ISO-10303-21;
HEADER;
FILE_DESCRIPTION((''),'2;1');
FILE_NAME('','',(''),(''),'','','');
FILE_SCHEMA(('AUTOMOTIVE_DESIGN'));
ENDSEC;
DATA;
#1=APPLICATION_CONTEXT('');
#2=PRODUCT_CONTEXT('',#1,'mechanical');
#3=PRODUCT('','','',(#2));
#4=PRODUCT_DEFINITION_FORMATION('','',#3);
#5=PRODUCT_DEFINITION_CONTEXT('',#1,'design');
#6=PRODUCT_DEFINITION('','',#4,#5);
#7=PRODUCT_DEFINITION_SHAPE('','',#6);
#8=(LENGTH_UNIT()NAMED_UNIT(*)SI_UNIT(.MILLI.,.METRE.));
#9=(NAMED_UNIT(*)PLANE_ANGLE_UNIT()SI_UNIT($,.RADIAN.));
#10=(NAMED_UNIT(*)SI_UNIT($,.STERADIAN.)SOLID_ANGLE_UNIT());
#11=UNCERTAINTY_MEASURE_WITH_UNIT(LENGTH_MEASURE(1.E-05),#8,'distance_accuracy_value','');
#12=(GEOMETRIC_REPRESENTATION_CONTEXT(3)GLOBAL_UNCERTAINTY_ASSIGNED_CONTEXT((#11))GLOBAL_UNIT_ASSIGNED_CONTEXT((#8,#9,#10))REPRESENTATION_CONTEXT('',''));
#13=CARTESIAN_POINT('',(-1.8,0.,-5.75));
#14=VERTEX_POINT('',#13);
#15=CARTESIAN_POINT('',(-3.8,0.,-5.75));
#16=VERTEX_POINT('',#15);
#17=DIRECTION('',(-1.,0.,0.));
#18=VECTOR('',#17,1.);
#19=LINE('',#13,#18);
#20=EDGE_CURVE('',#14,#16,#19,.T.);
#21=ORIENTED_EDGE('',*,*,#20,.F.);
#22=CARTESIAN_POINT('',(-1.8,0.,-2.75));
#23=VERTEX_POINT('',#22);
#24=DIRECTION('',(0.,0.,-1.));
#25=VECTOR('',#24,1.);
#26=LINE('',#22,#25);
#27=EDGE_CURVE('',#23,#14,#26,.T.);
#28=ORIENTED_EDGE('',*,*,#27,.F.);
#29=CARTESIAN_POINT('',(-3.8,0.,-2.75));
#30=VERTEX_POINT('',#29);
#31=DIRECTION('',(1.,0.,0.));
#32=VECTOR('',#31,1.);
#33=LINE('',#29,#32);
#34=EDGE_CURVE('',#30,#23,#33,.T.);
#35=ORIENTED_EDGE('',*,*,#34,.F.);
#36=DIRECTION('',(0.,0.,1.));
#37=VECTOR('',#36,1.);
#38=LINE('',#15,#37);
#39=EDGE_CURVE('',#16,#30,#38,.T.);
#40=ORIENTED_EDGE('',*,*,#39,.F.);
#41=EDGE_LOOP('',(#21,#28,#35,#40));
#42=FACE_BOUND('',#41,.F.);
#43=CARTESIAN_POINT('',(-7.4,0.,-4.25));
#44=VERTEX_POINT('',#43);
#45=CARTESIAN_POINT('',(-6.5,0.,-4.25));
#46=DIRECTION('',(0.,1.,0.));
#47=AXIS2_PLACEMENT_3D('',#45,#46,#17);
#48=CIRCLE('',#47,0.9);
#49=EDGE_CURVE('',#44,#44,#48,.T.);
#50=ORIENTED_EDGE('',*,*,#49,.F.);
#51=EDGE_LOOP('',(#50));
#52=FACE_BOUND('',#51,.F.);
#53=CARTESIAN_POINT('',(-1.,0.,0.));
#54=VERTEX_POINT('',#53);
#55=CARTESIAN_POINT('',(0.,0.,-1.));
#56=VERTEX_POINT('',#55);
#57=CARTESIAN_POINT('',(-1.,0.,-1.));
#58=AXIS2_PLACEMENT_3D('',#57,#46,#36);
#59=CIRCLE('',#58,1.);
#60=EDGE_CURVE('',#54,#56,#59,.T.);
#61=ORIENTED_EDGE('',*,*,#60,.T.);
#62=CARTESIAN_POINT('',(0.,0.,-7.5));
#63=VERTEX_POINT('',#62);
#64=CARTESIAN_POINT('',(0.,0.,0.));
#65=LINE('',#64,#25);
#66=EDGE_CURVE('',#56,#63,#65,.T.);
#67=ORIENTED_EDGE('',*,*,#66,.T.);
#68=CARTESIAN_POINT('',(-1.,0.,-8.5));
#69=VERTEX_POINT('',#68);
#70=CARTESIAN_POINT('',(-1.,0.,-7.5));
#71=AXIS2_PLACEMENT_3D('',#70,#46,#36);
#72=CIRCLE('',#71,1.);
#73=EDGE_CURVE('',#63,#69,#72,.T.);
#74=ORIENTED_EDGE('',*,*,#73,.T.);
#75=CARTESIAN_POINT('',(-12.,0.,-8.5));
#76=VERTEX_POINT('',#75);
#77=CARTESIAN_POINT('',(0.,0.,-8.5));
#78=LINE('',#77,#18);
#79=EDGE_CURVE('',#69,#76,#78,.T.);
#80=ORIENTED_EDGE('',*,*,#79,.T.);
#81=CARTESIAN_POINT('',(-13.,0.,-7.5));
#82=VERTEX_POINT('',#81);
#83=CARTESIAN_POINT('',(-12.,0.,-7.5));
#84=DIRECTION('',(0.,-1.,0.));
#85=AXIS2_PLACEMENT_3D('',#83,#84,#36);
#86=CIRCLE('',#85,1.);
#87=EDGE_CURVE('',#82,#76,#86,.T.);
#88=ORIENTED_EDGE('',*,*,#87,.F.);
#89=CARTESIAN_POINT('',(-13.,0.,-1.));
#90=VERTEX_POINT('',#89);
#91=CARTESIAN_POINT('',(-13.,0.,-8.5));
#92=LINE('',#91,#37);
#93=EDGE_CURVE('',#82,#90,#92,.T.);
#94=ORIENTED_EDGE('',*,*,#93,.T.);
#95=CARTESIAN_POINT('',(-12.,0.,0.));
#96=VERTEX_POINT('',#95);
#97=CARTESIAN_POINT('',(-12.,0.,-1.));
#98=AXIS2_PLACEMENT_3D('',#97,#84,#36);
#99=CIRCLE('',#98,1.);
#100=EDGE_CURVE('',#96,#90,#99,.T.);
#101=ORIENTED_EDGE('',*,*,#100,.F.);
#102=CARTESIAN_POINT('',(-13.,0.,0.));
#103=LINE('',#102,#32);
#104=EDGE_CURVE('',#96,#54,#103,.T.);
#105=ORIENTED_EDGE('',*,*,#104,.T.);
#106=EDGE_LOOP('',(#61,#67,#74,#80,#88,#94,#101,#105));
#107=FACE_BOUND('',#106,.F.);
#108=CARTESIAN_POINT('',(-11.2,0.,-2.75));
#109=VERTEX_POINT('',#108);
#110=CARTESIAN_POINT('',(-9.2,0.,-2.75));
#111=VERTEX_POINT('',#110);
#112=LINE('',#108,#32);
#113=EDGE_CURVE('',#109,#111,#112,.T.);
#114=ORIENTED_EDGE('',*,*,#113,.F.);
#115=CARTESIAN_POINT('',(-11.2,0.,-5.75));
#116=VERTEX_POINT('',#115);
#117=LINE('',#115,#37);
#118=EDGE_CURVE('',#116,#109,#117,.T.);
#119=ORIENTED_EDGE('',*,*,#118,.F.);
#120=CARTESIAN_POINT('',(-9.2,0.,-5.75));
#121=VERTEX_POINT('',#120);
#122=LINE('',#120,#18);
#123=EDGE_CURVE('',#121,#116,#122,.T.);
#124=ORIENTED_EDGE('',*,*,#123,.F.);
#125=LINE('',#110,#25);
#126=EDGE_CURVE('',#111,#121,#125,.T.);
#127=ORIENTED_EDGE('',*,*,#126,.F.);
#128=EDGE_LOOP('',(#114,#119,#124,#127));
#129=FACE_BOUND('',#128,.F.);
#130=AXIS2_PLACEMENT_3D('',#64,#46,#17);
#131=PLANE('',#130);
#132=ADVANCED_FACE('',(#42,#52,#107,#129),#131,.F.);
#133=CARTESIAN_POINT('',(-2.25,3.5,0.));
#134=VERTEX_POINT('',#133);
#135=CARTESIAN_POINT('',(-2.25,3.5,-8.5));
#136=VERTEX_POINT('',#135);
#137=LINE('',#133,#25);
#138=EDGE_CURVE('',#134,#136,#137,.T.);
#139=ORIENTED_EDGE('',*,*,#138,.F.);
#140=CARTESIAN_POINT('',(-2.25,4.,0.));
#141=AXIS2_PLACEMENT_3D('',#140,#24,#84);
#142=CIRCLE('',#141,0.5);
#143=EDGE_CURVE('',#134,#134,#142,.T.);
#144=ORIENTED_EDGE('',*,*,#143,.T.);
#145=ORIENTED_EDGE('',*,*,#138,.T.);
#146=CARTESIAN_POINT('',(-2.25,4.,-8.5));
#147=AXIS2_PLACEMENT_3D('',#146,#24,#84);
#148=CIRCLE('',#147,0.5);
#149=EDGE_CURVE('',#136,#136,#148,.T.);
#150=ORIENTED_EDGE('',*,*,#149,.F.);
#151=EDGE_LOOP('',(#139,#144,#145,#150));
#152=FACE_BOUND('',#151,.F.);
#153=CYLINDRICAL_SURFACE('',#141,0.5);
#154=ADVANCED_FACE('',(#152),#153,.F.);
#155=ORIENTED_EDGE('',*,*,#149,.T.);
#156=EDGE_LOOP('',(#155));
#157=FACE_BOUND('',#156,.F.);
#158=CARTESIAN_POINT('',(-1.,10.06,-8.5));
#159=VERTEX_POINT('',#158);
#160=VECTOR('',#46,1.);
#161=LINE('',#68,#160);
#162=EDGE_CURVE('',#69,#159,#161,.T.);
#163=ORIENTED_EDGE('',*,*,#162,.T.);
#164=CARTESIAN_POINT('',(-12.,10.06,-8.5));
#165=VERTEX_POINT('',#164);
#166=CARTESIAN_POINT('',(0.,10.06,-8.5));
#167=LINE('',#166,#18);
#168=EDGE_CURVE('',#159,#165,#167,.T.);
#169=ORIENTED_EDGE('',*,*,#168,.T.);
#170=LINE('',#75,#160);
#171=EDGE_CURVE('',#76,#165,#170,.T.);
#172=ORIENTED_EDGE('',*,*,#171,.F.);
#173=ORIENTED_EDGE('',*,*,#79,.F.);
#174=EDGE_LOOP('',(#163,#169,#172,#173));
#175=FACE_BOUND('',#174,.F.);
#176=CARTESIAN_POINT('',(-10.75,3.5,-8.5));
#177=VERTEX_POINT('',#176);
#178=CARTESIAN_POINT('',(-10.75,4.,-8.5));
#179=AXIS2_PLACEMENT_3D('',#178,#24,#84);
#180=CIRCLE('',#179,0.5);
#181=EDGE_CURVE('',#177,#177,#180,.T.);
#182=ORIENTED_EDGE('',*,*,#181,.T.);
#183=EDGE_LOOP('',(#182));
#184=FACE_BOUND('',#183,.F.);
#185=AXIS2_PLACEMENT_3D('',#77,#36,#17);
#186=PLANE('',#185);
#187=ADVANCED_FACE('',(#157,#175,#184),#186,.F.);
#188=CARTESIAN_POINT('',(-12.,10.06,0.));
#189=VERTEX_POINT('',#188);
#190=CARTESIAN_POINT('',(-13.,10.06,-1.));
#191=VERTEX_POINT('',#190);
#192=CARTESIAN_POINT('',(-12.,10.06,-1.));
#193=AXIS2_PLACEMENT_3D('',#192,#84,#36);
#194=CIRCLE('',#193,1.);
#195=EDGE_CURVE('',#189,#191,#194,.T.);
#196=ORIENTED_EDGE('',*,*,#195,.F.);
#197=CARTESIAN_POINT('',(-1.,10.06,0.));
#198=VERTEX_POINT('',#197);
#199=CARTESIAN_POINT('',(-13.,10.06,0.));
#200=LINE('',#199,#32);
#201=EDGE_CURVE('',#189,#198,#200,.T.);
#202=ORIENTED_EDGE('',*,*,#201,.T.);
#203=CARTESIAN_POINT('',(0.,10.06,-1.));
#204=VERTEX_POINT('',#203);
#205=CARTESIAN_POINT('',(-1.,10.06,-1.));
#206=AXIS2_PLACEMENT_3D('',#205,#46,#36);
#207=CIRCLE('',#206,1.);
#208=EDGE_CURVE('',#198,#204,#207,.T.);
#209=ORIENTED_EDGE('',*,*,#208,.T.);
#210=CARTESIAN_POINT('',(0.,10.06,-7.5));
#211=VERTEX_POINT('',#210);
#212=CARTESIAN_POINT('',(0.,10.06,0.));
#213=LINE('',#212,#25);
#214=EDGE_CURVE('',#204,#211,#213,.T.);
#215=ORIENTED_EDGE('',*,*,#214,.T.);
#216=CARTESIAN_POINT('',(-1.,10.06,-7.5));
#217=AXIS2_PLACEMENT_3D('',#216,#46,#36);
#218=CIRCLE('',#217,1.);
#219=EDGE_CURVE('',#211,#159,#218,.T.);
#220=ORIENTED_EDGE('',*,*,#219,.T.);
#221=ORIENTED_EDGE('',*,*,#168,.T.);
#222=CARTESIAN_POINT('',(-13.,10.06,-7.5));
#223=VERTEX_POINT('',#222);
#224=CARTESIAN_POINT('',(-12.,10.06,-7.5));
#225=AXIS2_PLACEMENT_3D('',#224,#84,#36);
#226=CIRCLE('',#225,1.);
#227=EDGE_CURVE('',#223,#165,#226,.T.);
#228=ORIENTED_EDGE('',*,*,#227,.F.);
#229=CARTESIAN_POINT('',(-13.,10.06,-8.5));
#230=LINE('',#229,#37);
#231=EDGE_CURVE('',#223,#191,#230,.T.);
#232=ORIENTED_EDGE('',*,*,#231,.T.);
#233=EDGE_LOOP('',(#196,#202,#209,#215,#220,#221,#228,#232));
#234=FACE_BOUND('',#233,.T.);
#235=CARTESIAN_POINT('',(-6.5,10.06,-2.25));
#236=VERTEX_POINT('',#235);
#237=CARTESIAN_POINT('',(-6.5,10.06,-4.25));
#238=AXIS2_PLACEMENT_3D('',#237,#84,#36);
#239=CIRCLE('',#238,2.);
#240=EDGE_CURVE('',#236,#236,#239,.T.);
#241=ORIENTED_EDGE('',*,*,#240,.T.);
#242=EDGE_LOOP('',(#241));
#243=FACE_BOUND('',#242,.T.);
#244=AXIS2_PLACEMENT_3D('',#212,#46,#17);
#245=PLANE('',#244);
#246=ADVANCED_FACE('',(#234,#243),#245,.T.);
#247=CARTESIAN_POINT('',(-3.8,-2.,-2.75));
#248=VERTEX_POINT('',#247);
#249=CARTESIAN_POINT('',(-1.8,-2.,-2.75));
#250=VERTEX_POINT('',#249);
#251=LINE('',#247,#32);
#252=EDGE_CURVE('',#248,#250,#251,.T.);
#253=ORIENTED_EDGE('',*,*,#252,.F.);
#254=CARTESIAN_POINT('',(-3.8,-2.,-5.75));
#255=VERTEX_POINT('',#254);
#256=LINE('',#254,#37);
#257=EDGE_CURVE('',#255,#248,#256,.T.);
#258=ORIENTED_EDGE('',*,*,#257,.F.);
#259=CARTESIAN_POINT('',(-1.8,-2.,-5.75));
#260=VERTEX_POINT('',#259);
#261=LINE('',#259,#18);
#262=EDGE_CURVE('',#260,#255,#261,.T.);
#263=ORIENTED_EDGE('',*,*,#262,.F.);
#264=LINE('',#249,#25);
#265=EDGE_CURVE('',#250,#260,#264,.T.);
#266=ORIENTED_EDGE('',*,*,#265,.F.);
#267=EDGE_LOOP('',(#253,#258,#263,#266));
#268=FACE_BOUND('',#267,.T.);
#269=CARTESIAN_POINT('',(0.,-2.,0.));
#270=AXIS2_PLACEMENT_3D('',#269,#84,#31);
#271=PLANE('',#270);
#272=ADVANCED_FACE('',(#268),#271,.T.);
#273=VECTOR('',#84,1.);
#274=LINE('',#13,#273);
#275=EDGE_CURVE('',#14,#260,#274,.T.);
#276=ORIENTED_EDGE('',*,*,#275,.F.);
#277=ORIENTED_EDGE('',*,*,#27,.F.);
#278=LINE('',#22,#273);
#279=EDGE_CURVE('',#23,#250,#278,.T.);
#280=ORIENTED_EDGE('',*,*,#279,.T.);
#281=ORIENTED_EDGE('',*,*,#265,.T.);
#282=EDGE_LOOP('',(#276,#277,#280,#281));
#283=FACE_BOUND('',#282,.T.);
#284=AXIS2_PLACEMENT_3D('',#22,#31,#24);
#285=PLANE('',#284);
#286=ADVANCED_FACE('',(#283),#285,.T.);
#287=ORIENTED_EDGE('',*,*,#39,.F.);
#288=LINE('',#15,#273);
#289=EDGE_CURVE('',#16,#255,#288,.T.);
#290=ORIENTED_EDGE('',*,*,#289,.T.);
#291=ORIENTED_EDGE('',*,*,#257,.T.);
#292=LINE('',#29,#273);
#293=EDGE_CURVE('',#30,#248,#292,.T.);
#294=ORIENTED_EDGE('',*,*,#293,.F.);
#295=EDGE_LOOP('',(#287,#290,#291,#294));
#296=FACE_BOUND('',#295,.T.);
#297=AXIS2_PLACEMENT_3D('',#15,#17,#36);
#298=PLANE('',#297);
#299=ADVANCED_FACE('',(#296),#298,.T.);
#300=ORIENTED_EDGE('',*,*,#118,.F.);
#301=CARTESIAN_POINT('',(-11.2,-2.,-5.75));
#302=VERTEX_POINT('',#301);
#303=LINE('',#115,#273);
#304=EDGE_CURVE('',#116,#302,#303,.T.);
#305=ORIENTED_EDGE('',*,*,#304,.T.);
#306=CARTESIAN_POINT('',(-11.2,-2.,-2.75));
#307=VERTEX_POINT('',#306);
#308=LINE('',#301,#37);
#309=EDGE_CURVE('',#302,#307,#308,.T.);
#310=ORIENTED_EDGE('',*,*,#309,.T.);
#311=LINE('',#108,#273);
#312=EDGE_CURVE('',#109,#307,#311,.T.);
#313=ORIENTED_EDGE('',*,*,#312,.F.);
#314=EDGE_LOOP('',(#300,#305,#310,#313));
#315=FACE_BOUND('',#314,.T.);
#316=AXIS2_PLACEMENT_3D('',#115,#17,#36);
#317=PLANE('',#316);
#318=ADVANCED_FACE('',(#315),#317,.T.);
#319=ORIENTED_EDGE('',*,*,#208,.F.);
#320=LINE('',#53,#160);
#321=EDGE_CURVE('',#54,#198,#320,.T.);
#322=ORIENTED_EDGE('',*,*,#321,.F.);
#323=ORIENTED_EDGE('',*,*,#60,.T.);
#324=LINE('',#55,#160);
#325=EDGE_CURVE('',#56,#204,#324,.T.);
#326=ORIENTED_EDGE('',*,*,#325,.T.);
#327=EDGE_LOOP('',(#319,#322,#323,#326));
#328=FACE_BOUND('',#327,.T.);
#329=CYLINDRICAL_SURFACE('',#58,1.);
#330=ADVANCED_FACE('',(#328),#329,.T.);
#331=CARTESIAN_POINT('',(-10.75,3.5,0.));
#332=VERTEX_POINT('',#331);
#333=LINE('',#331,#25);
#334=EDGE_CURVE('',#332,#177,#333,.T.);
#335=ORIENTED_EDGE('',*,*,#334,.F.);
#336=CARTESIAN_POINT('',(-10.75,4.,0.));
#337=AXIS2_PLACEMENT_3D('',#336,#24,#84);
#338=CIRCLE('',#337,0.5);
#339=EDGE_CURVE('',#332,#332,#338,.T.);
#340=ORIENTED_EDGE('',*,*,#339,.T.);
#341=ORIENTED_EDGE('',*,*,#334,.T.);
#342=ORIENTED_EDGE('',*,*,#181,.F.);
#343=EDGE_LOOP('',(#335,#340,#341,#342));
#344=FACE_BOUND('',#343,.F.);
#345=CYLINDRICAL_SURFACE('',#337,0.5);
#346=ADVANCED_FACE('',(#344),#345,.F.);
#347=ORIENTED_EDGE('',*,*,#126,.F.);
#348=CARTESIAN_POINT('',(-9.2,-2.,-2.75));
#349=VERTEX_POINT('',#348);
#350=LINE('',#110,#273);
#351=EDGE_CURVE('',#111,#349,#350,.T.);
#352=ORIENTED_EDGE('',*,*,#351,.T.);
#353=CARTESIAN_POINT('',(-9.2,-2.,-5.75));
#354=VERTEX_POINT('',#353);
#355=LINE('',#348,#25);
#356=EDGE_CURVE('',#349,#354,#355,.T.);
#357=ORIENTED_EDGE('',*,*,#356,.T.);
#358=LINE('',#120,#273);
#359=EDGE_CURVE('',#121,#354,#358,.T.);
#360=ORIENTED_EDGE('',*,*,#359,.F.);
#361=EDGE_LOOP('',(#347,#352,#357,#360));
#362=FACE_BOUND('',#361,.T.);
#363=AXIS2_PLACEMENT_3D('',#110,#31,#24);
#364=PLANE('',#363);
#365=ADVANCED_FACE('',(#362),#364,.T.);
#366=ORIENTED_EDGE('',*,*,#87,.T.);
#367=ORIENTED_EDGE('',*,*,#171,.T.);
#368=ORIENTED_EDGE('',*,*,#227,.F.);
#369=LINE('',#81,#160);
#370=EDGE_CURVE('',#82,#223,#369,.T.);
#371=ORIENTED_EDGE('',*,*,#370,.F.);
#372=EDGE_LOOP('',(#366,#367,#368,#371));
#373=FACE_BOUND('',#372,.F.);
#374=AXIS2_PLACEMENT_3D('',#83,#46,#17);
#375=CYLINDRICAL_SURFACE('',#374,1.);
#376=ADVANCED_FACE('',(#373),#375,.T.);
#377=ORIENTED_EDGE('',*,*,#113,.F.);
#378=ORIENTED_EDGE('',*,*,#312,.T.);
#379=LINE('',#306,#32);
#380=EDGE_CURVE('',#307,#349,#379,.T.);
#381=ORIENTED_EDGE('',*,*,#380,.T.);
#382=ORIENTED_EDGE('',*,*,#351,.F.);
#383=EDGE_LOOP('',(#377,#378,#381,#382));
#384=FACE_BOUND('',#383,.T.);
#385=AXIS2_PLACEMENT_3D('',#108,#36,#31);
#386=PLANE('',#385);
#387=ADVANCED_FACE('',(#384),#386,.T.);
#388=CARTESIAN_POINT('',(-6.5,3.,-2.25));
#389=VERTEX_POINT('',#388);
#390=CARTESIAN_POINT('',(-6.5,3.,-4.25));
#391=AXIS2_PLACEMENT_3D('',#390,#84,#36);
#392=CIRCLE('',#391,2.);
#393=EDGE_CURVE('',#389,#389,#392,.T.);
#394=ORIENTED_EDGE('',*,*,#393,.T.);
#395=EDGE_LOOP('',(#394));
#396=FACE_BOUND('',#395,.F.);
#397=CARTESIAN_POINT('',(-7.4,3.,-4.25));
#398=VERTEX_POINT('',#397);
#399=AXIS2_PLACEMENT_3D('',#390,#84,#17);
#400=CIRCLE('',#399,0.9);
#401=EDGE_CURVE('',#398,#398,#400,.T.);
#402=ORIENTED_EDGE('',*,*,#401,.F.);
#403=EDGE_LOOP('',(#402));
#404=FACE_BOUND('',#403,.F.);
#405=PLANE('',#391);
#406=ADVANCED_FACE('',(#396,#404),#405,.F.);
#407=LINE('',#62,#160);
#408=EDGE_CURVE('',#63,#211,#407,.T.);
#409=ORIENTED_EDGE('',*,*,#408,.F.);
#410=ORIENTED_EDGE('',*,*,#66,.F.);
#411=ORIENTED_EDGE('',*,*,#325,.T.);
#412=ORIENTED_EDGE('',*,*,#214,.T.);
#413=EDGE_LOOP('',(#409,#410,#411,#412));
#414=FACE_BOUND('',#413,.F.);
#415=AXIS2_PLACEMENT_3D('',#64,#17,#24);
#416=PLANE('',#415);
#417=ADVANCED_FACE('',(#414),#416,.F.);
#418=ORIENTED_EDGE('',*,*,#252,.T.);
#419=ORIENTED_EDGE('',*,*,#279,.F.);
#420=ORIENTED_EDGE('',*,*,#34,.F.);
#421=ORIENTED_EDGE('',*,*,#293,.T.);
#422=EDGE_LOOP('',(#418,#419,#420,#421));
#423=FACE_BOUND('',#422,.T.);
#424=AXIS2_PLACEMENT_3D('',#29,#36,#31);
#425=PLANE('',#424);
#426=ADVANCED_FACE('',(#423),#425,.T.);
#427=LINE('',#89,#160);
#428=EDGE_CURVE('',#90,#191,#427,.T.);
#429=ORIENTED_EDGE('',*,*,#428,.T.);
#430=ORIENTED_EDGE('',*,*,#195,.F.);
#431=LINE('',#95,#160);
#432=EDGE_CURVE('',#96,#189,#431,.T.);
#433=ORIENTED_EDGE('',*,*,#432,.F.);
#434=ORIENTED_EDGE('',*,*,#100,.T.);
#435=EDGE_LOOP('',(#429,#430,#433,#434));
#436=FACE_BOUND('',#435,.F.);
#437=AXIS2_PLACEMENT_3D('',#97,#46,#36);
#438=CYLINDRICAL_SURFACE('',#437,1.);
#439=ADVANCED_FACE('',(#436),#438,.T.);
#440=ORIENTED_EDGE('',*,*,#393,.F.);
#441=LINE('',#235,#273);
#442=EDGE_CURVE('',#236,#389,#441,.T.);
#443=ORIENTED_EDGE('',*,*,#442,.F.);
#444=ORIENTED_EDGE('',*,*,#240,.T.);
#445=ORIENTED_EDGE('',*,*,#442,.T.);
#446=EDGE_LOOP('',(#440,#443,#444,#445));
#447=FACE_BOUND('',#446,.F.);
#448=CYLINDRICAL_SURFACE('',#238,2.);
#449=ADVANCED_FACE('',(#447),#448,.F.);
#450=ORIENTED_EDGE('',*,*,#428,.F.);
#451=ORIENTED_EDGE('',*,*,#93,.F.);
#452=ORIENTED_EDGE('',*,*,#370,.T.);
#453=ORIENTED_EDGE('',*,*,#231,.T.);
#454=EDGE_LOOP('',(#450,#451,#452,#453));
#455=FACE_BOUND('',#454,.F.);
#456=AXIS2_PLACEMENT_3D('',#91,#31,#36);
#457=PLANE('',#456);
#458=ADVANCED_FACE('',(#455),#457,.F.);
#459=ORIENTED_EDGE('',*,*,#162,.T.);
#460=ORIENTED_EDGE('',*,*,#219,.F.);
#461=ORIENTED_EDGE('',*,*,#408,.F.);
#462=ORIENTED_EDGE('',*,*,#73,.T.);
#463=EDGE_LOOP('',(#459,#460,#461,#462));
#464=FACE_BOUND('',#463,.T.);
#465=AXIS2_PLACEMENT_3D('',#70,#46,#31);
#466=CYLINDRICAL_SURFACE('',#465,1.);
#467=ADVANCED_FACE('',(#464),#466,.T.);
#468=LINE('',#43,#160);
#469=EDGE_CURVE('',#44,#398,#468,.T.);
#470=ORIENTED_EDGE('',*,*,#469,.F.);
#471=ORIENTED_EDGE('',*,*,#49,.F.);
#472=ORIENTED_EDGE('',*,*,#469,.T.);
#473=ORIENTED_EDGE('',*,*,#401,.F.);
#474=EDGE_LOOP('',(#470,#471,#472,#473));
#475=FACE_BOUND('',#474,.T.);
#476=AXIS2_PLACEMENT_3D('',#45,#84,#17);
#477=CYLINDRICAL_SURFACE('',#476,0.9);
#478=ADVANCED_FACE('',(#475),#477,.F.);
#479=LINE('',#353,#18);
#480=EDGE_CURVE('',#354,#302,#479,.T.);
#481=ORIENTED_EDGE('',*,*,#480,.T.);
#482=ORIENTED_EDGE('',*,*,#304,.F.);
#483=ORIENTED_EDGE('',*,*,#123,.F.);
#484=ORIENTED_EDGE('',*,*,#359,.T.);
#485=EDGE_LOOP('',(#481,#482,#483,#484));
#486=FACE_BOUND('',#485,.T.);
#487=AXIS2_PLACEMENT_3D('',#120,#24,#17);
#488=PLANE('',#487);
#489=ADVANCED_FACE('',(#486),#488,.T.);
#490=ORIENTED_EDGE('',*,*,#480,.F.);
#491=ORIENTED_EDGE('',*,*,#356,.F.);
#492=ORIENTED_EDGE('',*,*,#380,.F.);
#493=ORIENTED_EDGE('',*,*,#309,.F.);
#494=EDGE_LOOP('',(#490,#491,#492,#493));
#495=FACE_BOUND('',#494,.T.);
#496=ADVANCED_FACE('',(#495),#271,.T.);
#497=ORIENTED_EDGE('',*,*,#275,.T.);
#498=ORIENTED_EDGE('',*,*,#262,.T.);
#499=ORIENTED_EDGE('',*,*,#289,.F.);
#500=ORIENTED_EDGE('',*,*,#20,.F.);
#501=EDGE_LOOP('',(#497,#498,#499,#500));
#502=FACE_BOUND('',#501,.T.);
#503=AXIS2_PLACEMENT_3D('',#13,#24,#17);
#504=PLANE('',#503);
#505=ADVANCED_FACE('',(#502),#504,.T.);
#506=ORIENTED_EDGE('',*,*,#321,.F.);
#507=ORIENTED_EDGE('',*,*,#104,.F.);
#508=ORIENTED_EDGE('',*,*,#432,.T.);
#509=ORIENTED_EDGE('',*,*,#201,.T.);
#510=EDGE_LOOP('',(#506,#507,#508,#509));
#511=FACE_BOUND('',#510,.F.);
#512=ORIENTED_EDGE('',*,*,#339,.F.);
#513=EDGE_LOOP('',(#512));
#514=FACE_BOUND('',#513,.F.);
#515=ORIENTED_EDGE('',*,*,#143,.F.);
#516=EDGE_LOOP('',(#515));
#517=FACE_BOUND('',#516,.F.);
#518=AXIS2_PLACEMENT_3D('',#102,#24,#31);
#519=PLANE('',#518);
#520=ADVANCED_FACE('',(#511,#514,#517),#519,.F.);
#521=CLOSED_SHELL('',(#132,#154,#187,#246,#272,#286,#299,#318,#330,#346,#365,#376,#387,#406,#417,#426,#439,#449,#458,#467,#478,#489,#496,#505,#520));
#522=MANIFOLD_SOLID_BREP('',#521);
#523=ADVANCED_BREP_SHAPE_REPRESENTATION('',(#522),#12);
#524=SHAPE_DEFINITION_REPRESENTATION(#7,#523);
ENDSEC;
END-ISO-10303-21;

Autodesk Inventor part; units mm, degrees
ref_plane "YZ Plane" through (0, 0, 0) normal (1, 0, 0) x (0, 1, 0)
ref_plane "XZ Plane" through (0, 0, 0) normal (0, 1, 0) x (-1, 0, 0)
ref_plane "XY Plane" through (0, 0, 0) normal (0, 0, 1) x (1, 0, 0)
sketch "Boceto1" plane through (0, 0, 0) normal (0, 1, 0) x (-1, 0, 0)
  line L0 (0, 0) -> (0, -8.5)
  line L1 (0, -8.5) -> (13, -8.5)
  line L2 (13, -8.5) -> (13, 0)
  line L3 (13, 0) -> (0, 0)
  circle A0 centre (6.5, -4.25) radius 0.9
  dimension "d0" = 8.5
  dimension "d1" = 13
  dimension "d2" = 1.8
  dimension "d13" = 4.25
extrude "Extrusión1" add sketch "Boceto1" along normal blind 10.06
sketch "Boceto2" plane through (0, 10.06, 0) normal (0, 1, 0) x (1, 0, 0)
  circle A0 centre (-6.5, 4.25) radius 0.9 projected
  point P0 (0, 0)
hole "Agujero1" at (-6.5, 10.06, -4.25) direction (0, -1, 0) diameter 4 depth 7.06
fillet "Empalme1" radius 1 4 edges at (0, 5.03, 0) (0, 5.03, -8.5) (-13, 5.03, 0) (-13, 5.03, -8.5)
sketch "Boceto3" plane through (0, 0, 0) normal (0, -1, 0) x (1, 0, 0)
  line L0 (-1.8, -5.75) -> (-3.8, -5.75)
  line L1 (-3.8, -5.75) -> (-3.8, -2.75)
  line L2 (-3.8, -2.75) -> (-1.8, -2.75)
  line L3 (-1.8, -2.75) -> (-1.8, -5.75)
  line L4 (0, -1) -> (0, -7.5) projected
  line L5 (-1, -8.5) -> (-12, -8.5) projected
  line L6 (-9.2, -5.75) -> (-11.2, -5.75)
  line L7 (-11.2, -5.75) -> (-11.2, -2.75)
  line L8 (-11.2, -2.75) -> (-9.2, -2.75)
  line L9 (-9.2, -2.75) -> (-9.2, -5.75)
  line L10 (-12, 0) -> (-1, 0) projected
  line L11 (-13, -7.5) -> (-13, -1) projected
  point P0 (0, 0)
  dimension "d14" = 2
  dimension "d15" = 3
  dimension "d16" = 1.8
  dimension "d17" = 2.75
  dimension "d18" = 2
  dimension "d19" = 3
  dimension "d20" = 2.75
  dimension "d21" = 1.8
extrude "Extrusión2" add sketch "Boceto3" along normal blind 2
sketch "Boceto4" plane through (-12, 0, 0) normal (0, 0, 1) x (1, 0, 0)
  circle A0 centre (1.25, 4) radius 0.5
  circle A1 centre (9.75, 4) radius 0.5
  line L0 (-1, 10.06) -> (-1, 0) projected
  line L1 (12, 0) -> (12, 10.06) projected
  line L2 (0, 0) -> (11, 0) projected
  dimension "d24" = 1
  dimension "d25" = 1
  dimension "d26" = 2.25
  dimension "d27" = 2.25
  dimension "d28" = 4
  dimension "d29" = 4
hole "Agujero2" at (-10.75, 4, 0) at (-2.25, 4, 0) direction (0, 0, -1) diameter 1 end through all
properties part number "Soporte placa 2.0"
